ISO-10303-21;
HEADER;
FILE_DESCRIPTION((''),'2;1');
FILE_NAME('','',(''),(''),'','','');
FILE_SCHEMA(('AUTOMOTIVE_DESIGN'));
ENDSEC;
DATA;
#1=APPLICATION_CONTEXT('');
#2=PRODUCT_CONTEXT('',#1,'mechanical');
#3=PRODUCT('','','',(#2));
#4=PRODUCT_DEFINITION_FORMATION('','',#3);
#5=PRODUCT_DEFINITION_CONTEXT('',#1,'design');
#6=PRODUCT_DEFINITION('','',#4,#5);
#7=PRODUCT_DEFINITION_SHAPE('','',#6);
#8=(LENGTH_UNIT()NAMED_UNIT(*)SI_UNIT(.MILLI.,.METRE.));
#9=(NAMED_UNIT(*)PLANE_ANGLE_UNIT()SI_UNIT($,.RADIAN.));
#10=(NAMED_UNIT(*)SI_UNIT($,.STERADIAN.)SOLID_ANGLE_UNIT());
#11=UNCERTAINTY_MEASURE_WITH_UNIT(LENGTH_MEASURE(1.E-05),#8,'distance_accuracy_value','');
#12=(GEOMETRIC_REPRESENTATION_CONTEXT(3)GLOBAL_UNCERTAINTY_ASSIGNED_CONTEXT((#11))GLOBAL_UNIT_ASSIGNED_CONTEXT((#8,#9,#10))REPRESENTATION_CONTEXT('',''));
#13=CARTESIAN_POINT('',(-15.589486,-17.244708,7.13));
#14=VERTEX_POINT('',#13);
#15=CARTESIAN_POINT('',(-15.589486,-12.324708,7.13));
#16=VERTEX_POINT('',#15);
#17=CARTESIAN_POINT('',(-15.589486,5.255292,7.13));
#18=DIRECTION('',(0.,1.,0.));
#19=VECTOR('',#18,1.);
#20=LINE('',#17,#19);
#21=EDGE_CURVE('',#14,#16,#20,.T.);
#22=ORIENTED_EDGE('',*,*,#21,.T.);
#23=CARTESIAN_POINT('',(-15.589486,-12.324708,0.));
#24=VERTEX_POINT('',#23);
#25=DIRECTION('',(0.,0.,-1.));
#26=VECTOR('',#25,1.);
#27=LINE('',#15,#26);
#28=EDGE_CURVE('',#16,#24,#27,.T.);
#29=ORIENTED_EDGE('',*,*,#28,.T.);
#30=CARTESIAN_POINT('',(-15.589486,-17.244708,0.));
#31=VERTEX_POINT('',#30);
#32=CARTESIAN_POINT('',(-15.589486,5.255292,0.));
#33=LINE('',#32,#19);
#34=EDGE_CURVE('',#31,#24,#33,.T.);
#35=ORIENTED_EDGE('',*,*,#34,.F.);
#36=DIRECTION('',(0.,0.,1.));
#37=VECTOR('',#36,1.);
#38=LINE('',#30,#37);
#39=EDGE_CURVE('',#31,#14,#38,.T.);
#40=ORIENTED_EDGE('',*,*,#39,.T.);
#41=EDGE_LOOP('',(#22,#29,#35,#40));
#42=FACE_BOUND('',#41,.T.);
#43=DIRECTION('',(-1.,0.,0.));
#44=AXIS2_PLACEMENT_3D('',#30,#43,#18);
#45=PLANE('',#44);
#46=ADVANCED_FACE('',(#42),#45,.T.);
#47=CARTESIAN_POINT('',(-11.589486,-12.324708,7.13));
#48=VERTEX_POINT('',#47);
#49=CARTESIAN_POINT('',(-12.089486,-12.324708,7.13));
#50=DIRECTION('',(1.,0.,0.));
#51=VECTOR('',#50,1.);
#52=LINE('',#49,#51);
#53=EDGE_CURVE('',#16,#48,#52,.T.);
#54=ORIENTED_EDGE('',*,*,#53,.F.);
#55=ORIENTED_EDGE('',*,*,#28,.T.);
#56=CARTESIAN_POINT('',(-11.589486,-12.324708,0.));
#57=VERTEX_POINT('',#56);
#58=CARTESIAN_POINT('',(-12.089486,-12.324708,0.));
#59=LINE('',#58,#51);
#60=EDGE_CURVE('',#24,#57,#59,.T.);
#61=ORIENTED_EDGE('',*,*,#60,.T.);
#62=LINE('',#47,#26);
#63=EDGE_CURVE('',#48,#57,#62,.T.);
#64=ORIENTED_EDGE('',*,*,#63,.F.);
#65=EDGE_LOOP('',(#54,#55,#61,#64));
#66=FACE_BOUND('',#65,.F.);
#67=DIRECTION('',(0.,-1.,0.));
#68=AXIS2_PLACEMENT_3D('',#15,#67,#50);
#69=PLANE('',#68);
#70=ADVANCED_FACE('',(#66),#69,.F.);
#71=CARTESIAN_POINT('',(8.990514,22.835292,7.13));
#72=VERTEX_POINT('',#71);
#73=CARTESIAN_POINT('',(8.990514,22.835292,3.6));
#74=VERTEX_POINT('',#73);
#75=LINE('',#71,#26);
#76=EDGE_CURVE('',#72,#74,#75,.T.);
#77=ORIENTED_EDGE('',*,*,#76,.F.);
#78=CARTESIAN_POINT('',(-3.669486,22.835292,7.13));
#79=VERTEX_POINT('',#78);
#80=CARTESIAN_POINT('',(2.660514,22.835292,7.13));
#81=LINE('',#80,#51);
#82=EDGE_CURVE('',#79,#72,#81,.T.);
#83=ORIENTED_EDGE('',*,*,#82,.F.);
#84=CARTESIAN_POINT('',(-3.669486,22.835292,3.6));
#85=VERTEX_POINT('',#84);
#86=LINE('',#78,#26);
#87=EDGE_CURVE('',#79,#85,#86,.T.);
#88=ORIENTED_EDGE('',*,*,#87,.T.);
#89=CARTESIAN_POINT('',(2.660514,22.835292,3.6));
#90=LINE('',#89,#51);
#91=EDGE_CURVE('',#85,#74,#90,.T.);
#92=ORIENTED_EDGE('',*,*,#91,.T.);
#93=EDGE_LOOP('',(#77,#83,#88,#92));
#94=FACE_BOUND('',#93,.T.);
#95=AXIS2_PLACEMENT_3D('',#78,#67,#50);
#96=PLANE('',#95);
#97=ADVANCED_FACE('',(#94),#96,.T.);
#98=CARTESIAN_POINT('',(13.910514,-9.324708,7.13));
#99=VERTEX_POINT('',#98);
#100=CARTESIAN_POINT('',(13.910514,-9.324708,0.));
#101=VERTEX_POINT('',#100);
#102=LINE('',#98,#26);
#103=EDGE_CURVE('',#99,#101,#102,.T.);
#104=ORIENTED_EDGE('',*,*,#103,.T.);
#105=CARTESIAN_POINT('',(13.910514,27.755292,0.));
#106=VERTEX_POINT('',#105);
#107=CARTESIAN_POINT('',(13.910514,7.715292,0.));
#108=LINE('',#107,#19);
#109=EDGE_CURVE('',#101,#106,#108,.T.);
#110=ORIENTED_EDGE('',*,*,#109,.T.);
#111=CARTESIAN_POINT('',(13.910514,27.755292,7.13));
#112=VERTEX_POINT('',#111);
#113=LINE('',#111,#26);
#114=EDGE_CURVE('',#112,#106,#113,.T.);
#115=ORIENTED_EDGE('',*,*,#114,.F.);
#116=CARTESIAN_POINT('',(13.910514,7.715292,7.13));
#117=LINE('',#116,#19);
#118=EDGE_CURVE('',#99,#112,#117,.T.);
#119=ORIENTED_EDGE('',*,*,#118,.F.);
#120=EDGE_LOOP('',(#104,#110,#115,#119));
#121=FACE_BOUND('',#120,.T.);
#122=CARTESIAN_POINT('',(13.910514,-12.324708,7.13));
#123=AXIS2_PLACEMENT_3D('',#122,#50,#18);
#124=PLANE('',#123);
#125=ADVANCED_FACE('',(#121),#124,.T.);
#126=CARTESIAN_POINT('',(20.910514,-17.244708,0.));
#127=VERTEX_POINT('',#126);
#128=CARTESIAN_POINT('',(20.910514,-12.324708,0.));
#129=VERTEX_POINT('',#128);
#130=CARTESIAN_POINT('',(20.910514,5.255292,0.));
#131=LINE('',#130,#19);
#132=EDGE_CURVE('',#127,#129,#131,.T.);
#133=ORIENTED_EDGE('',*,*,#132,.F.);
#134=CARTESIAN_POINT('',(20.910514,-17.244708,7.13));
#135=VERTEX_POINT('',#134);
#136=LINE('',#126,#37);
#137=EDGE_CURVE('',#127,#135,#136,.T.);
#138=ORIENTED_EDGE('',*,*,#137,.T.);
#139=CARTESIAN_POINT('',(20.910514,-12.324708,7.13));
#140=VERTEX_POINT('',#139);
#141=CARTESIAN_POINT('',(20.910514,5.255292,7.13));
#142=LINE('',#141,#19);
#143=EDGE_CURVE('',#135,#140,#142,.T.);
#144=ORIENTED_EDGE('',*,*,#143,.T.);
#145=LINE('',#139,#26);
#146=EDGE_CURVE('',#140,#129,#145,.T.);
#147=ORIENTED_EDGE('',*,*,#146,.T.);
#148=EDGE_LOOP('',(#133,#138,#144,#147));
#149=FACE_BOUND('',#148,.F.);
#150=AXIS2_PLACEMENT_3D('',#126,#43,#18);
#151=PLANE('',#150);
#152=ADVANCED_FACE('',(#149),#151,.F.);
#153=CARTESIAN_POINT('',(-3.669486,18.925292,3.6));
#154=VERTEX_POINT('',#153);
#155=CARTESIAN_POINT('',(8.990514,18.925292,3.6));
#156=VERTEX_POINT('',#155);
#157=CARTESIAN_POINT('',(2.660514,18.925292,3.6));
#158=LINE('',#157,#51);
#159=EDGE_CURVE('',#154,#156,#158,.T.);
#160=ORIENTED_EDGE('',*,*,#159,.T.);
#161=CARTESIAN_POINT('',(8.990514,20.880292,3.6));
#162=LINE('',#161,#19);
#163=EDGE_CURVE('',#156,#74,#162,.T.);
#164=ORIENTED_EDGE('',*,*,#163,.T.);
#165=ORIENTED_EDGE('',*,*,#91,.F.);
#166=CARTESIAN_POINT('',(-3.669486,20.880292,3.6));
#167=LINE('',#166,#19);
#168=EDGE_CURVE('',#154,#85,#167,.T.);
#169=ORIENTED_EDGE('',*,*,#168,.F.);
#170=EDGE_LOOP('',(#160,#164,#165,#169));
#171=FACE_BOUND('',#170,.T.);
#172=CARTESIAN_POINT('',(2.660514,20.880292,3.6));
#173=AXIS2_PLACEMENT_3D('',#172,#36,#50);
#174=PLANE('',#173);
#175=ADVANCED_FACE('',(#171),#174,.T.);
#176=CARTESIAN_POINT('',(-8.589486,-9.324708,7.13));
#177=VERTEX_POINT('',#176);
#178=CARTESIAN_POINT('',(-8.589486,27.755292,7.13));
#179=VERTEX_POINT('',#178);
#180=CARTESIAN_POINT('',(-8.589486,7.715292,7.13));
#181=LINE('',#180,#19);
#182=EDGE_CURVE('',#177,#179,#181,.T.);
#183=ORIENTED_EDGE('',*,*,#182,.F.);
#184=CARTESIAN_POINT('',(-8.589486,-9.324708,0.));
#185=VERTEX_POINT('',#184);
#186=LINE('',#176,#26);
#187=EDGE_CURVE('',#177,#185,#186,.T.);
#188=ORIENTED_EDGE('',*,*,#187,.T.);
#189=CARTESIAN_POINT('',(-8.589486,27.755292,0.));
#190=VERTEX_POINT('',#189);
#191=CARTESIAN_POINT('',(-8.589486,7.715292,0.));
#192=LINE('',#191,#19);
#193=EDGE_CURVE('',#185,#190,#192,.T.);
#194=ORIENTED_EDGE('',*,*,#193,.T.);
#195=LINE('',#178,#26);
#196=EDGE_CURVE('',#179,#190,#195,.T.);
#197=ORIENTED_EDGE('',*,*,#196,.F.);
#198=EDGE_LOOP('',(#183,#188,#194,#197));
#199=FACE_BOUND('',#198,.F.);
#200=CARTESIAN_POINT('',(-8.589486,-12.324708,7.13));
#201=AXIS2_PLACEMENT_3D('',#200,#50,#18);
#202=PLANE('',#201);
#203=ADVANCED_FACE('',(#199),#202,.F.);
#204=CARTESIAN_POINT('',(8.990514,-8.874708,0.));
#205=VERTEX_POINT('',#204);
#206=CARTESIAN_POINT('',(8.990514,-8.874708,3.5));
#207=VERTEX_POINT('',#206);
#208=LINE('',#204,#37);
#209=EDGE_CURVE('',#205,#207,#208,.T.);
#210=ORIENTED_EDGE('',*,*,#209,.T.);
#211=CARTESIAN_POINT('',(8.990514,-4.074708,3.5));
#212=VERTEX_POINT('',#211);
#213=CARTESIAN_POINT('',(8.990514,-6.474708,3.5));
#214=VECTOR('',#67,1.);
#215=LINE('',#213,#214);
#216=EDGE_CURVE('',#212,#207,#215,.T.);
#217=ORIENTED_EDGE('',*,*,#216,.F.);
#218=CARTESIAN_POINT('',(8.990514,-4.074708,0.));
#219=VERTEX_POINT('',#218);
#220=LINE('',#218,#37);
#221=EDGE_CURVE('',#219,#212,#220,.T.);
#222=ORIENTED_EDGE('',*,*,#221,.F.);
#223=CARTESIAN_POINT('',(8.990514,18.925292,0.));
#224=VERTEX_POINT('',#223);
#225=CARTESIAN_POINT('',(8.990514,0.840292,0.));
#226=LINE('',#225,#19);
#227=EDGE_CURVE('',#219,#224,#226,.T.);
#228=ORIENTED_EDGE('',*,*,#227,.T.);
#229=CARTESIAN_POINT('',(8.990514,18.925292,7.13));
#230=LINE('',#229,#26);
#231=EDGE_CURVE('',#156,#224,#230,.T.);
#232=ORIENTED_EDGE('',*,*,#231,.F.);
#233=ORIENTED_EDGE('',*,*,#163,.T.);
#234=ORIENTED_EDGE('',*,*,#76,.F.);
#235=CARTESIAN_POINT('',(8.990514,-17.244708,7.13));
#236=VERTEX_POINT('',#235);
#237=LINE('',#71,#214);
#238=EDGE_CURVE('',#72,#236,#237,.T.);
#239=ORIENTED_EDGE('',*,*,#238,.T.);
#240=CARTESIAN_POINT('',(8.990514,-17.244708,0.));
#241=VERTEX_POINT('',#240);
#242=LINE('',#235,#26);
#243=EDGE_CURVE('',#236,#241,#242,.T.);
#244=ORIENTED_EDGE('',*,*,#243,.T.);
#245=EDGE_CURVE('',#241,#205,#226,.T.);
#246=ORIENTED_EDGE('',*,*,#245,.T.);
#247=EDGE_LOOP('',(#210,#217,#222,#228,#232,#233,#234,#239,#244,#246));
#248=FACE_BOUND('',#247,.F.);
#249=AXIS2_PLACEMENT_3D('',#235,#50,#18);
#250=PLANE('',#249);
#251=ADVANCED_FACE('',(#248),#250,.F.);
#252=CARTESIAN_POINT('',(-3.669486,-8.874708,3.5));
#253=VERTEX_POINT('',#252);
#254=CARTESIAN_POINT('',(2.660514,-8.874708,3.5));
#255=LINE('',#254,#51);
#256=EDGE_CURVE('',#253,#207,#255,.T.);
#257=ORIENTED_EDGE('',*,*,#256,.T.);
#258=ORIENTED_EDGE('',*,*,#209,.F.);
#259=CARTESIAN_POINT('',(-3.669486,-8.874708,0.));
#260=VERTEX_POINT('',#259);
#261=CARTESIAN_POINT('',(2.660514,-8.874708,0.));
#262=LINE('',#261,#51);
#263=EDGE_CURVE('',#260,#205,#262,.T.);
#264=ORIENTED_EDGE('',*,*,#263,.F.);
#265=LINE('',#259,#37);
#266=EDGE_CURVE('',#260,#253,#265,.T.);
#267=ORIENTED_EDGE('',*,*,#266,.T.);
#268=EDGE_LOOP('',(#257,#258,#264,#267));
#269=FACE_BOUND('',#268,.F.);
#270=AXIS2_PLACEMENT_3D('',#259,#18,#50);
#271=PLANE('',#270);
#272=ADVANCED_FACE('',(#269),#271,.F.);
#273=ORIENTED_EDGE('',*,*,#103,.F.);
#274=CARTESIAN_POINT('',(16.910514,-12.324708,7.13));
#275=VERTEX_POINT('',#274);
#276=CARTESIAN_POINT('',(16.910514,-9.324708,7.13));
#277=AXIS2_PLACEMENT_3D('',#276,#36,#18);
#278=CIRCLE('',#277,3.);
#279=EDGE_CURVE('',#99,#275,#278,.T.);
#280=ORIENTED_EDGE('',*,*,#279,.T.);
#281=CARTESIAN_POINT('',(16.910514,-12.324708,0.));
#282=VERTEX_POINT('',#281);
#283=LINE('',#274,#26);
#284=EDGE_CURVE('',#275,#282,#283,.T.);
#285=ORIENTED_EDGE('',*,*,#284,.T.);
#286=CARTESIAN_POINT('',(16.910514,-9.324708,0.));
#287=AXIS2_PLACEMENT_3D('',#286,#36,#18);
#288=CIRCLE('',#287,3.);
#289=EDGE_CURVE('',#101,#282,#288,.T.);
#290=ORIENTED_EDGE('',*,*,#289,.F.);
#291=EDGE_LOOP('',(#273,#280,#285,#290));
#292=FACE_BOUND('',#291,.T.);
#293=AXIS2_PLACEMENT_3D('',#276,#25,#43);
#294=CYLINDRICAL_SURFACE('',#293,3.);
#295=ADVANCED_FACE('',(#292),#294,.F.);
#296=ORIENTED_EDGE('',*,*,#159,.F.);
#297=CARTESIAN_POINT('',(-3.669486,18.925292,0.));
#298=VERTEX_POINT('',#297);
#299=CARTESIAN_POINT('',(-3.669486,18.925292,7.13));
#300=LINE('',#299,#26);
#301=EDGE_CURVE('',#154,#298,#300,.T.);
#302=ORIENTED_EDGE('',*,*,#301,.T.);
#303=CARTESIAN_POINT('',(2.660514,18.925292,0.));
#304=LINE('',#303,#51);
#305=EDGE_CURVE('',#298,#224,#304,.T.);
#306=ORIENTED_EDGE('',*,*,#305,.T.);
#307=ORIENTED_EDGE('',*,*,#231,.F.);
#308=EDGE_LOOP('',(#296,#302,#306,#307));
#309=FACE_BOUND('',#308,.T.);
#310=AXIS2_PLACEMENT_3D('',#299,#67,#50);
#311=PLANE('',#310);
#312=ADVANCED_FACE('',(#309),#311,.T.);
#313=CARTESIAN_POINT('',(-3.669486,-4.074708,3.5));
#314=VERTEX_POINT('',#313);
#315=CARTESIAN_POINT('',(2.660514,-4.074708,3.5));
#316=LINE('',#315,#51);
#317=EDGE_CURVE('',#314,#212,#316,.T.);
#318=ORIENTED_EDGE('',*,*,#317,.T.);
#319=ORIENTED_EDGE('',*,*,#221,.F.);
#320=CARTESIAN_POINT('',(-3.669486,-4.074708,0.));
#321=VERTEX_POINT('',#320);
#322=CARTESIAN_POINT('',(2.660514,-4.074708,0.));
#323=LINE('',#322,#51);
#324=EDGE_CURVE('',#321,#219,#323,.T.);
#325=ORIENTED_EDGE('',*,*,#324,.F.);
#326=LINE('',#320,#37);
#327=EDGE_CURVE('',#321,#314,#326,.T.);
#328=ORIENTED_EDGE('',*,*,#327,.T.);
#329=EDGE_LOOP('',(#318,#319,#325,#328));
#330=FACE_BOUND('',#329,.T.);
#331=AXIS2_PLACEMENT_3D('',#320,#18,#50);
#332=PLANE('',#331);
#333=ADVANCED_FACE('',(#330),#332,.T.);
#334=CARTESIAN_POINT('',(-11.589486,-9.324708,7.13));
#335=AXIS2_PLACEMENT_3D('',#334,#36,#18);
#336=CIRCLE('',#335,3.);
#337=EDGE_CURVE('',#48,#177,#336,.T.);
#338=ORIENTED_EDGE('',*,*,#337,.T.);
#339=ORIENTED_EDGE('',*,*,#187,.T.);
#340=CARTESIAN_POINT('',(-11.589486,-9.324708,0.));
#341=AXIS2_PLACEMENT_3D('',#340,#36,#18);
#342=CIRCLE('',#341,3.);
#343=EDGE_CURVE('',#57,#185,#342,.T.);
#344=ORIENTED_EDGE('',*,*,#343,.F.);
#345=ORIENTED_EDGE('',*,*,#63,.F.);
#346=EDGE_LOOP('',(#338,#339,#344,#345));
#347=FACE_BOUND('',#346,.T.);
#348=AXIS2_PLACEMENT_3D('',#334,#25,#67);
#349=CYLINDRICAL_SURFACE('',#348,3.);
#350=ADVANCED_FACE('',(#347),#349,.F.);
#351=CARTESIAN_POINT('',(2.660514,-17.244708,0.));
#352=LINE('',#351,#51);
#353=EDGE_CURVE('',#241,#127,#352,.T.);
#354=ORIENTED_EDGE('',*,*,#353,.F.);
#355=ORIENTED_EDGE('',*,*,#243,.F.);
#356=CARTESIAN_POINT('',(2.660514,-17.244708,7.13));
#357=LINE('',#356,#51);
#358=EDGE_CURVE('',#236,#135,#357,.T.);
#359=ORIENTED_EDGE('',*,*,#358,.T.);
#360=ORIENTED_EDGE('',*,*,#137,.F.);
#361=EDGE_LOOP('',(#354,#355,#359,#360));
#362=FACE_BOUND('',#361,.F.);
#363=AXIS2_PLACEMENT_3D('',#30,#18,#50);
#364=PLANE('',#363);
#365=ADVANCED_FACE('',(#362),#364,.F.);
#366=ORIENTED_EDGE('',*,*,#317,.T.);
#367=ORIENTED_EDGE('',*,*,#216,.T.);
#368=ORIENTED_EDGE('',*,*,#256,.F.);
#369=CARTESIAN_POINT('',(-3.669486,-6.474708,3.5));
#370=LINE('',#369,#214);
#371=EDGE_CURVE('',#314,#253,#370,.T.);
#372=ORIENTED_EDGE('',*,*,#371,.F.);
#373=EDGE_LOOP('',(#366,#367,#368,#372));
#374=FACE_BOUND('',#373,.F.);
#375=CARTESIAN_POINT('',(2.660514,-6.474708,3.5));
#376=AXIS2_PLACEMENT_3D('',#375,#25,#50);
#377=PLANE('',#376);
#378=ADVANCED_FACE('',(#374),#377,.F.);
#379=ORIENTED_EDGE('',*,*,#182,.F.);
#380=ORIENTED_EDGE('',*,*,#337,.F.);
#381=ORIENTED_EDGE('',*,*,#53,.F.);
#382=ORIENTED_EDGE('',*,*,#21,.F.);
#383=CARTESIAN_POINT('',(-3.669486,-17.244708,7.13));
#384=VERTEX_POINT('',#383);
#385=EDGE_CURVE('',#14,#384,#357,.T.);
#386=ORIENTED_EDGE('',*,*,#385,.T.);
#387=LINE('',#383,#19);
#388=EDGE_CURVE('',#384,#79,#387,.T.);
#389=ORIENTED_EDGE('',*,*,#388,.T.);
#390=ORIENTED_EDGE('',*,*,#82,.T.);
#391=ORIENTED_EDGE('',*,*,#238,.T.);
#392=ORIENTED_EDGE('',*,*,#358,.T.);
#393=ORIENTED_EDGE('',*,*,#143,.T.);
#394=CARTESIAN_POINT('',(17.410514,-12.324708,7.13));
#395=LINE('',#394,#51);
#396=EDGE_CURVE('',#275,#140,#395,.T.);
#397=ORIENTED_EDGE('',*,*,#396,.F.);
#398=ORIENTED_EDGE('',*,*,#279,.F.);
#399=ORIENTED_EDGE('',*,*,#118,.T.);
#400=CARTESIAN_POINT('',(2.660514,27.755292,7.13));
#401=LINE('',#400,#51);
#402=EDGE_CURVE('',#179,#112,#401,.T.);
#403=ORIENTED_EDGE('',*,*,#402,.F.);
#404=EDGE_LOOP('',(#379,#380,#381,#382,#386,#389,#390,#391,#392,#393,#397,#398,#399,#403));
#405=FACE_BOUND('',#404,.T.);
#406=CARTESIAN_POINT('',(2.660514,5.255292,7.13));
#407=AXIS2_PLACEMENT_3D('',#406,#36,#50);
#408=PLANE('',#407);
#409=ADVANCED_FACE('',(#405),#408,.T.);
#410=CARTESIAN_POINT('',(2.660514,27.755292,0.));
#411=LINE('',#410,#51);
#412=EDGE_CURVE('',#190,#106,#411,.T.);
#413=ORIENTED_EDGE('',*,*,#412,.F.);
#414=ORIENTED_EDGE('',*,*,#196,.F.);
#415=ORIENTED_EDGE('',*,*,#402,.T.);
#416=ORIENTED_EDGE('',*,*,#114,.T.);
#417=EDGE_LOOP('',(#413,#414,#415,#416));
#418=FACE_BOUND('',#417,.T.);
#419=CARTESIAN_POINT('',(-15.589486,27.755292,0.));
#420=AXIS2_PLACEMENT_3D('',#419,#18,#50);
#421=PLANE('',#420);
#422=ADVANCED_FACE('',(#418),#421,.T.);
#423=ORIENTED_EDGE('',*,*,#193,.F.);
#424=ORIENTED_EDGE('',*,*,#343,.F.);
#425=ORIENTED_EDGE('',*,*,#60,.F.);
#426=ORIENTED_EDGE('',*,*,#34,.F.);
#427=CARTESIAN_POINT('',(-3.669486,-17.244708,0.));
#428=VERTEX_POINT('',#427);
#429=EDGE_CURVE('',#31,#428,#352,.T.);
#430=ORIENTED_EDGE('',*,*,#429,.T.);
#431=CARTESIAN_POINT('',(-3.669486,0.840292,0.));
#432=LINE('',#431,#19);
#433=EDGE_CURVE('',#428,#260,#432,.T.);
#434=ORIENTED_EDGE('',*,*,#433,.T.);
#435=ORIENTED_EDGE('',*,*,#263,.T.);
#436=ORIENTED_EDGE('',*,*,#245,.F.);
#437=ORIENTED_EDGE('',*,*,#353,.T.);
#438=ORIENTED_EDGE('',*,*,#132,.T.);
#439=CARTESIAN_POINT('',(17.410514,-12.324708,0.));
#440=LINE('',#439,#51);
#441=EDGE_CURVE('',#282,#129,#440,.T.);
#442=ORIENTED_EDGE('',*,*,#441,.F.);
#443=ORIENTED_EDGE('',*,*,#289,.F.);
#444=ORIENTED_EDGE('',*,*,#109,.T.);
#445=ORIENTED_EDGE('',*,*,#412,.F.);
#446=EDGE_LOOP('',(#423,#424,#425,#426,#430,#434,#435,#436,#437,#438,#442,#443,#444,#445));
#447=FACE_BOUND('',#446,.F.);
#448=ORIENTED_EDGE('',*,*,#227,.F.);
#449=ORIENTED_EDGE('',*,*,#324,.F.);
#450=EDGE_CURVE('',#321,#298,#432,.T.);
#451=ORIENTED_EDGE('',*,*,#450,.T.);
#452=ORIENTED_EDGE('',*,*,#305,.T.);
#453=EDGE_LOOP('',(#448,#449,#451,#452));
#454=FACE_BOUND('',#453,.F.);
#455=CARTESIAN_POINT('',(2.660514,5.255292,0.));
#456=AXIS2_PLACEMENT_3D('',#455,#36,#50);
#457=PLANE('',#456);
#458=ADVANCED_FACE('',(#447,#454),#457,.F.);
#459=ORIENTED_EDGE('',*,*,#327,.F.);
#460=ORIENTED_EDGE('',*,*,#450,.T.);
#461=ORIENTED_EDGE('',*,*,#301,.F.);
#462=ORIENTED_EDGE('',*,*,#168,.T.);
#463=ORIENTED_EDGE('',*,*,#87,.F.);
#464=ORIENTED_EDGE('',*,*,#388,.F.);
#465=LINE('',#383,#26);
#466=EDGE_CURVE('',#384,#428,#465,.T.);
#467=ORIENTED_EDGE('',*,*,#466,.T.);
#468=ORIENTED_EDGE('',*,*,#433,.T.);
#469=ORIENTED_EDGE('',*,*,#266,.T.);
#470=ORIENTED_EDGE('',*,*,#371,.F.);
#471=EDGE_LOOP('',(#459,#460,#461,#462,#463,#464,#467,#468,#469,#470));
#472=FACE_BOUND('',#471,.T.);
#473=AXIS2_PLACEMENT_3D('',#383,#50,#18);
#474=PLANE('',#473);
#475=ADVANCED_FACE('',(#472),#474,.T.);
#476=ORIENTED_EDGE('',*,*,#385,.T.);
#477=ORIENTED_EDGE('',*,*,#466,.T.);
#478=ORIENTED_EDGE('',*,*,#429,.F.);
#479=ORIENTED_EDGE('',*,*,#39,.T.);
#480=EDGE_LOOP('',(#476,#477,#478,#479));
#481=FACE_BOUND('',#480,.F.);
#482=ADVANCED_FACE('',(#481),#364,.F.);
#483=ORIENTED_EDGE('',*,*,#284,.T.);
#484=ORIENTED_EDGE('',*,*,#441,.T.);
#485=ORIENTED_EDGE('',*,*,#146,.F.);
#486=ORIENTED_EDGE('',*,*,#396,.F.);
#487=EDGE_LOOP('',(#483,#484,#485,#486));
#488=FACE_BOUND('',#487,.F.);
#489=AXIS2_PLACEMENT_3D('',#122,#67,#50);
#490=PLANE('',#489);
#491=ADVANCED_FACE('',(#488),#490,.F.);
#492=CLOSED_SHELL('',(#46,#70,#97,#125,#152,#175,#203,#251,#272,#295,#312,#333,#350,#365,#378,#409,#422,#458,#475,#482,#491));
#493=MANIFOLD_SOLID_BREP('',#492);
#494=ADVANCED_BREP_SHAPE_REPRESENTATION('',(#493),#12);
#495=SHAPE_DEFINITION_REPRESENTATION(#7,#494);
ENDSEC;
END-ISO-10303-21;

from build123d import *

# Parameters (mm, degrees)
F0_W     = 36.5
F0_H     = 45
F1_DEPTH = 7.13
F2_W     = 7
F2_H     = 40.08
F3_DEPTH = 7.13
F4_W     = 12.66
F4_H     = 36.17
F5_DEPTH = 7.13
F6_W     = 12.66
F6_H     = 3.91
F7_DEPTH = 3.53
F8_W     = 12.66
F8_H     = 4.8
F9_DEPTH = 3.5
F10_R    = 3


with BuildPart() as f1:
    # F0 (on Top) → F1 (new body)
    with BuildSketch(Plane.XY):
        with Locations((2.660514, 5.255292)):
            Rectangle(F0_W, F0_H)
    extrude(amount=F1_DEPTH)

    # F2 (on face) → F3 (cut)
    with BuildSketch(Plane.XY.offset(7.13)):
        with Locations((-12.089486, 7.715292)):
            Rectangle(F2_W, F2_H)
        with Locations((17.410514, 7.715292)):
            Rectangle(F2_W, F2_H)
    extrude(amount=-F3_DEPTH, mode=Mode.SUBTRACT)

    # F4 (on face) → F5 (cut)
    with BuildSketch(Plane.XY.offset(7.13)):
        with Locations((2.660514, 0.840292)):
            Rectangle(F4_W, F4_H)
    extrude(amount=-F5_DEPTH, mode=Mode.SUBTRACT)

    # F6 (on face) → F7 (cut)
    with BuildSketch(Plane.XY.offset(7.13)):
        with Locations((2.660514, 20.880292)):
            Rectangle(F6_W, F6_H)
    extrude(amount=-F7_DEPTH, mode=Mode.SUBTRACT)

    # F8 (on face) → F9 (join)
    with BuildSketch(Plane(origin=(0, 0, 0), x_dir=(1, 0, 0), z_dir=(0, 0, -1))):
        with Locations((2.660514, 6.474708)):
            Rectangle(F8_W, F8_H)
    extrude(amount=-F9_DEPTH)

    # F10
    f10_edges = [f1.edges().sort_by_distance(p)[0] for p in [
        (13.910514, -12.324708, 3.565),
        (-8.589486, -12.324708, 3.565),
    ]]
    fillet(f10_edges, radius=F10_R)


solid = f1.part
